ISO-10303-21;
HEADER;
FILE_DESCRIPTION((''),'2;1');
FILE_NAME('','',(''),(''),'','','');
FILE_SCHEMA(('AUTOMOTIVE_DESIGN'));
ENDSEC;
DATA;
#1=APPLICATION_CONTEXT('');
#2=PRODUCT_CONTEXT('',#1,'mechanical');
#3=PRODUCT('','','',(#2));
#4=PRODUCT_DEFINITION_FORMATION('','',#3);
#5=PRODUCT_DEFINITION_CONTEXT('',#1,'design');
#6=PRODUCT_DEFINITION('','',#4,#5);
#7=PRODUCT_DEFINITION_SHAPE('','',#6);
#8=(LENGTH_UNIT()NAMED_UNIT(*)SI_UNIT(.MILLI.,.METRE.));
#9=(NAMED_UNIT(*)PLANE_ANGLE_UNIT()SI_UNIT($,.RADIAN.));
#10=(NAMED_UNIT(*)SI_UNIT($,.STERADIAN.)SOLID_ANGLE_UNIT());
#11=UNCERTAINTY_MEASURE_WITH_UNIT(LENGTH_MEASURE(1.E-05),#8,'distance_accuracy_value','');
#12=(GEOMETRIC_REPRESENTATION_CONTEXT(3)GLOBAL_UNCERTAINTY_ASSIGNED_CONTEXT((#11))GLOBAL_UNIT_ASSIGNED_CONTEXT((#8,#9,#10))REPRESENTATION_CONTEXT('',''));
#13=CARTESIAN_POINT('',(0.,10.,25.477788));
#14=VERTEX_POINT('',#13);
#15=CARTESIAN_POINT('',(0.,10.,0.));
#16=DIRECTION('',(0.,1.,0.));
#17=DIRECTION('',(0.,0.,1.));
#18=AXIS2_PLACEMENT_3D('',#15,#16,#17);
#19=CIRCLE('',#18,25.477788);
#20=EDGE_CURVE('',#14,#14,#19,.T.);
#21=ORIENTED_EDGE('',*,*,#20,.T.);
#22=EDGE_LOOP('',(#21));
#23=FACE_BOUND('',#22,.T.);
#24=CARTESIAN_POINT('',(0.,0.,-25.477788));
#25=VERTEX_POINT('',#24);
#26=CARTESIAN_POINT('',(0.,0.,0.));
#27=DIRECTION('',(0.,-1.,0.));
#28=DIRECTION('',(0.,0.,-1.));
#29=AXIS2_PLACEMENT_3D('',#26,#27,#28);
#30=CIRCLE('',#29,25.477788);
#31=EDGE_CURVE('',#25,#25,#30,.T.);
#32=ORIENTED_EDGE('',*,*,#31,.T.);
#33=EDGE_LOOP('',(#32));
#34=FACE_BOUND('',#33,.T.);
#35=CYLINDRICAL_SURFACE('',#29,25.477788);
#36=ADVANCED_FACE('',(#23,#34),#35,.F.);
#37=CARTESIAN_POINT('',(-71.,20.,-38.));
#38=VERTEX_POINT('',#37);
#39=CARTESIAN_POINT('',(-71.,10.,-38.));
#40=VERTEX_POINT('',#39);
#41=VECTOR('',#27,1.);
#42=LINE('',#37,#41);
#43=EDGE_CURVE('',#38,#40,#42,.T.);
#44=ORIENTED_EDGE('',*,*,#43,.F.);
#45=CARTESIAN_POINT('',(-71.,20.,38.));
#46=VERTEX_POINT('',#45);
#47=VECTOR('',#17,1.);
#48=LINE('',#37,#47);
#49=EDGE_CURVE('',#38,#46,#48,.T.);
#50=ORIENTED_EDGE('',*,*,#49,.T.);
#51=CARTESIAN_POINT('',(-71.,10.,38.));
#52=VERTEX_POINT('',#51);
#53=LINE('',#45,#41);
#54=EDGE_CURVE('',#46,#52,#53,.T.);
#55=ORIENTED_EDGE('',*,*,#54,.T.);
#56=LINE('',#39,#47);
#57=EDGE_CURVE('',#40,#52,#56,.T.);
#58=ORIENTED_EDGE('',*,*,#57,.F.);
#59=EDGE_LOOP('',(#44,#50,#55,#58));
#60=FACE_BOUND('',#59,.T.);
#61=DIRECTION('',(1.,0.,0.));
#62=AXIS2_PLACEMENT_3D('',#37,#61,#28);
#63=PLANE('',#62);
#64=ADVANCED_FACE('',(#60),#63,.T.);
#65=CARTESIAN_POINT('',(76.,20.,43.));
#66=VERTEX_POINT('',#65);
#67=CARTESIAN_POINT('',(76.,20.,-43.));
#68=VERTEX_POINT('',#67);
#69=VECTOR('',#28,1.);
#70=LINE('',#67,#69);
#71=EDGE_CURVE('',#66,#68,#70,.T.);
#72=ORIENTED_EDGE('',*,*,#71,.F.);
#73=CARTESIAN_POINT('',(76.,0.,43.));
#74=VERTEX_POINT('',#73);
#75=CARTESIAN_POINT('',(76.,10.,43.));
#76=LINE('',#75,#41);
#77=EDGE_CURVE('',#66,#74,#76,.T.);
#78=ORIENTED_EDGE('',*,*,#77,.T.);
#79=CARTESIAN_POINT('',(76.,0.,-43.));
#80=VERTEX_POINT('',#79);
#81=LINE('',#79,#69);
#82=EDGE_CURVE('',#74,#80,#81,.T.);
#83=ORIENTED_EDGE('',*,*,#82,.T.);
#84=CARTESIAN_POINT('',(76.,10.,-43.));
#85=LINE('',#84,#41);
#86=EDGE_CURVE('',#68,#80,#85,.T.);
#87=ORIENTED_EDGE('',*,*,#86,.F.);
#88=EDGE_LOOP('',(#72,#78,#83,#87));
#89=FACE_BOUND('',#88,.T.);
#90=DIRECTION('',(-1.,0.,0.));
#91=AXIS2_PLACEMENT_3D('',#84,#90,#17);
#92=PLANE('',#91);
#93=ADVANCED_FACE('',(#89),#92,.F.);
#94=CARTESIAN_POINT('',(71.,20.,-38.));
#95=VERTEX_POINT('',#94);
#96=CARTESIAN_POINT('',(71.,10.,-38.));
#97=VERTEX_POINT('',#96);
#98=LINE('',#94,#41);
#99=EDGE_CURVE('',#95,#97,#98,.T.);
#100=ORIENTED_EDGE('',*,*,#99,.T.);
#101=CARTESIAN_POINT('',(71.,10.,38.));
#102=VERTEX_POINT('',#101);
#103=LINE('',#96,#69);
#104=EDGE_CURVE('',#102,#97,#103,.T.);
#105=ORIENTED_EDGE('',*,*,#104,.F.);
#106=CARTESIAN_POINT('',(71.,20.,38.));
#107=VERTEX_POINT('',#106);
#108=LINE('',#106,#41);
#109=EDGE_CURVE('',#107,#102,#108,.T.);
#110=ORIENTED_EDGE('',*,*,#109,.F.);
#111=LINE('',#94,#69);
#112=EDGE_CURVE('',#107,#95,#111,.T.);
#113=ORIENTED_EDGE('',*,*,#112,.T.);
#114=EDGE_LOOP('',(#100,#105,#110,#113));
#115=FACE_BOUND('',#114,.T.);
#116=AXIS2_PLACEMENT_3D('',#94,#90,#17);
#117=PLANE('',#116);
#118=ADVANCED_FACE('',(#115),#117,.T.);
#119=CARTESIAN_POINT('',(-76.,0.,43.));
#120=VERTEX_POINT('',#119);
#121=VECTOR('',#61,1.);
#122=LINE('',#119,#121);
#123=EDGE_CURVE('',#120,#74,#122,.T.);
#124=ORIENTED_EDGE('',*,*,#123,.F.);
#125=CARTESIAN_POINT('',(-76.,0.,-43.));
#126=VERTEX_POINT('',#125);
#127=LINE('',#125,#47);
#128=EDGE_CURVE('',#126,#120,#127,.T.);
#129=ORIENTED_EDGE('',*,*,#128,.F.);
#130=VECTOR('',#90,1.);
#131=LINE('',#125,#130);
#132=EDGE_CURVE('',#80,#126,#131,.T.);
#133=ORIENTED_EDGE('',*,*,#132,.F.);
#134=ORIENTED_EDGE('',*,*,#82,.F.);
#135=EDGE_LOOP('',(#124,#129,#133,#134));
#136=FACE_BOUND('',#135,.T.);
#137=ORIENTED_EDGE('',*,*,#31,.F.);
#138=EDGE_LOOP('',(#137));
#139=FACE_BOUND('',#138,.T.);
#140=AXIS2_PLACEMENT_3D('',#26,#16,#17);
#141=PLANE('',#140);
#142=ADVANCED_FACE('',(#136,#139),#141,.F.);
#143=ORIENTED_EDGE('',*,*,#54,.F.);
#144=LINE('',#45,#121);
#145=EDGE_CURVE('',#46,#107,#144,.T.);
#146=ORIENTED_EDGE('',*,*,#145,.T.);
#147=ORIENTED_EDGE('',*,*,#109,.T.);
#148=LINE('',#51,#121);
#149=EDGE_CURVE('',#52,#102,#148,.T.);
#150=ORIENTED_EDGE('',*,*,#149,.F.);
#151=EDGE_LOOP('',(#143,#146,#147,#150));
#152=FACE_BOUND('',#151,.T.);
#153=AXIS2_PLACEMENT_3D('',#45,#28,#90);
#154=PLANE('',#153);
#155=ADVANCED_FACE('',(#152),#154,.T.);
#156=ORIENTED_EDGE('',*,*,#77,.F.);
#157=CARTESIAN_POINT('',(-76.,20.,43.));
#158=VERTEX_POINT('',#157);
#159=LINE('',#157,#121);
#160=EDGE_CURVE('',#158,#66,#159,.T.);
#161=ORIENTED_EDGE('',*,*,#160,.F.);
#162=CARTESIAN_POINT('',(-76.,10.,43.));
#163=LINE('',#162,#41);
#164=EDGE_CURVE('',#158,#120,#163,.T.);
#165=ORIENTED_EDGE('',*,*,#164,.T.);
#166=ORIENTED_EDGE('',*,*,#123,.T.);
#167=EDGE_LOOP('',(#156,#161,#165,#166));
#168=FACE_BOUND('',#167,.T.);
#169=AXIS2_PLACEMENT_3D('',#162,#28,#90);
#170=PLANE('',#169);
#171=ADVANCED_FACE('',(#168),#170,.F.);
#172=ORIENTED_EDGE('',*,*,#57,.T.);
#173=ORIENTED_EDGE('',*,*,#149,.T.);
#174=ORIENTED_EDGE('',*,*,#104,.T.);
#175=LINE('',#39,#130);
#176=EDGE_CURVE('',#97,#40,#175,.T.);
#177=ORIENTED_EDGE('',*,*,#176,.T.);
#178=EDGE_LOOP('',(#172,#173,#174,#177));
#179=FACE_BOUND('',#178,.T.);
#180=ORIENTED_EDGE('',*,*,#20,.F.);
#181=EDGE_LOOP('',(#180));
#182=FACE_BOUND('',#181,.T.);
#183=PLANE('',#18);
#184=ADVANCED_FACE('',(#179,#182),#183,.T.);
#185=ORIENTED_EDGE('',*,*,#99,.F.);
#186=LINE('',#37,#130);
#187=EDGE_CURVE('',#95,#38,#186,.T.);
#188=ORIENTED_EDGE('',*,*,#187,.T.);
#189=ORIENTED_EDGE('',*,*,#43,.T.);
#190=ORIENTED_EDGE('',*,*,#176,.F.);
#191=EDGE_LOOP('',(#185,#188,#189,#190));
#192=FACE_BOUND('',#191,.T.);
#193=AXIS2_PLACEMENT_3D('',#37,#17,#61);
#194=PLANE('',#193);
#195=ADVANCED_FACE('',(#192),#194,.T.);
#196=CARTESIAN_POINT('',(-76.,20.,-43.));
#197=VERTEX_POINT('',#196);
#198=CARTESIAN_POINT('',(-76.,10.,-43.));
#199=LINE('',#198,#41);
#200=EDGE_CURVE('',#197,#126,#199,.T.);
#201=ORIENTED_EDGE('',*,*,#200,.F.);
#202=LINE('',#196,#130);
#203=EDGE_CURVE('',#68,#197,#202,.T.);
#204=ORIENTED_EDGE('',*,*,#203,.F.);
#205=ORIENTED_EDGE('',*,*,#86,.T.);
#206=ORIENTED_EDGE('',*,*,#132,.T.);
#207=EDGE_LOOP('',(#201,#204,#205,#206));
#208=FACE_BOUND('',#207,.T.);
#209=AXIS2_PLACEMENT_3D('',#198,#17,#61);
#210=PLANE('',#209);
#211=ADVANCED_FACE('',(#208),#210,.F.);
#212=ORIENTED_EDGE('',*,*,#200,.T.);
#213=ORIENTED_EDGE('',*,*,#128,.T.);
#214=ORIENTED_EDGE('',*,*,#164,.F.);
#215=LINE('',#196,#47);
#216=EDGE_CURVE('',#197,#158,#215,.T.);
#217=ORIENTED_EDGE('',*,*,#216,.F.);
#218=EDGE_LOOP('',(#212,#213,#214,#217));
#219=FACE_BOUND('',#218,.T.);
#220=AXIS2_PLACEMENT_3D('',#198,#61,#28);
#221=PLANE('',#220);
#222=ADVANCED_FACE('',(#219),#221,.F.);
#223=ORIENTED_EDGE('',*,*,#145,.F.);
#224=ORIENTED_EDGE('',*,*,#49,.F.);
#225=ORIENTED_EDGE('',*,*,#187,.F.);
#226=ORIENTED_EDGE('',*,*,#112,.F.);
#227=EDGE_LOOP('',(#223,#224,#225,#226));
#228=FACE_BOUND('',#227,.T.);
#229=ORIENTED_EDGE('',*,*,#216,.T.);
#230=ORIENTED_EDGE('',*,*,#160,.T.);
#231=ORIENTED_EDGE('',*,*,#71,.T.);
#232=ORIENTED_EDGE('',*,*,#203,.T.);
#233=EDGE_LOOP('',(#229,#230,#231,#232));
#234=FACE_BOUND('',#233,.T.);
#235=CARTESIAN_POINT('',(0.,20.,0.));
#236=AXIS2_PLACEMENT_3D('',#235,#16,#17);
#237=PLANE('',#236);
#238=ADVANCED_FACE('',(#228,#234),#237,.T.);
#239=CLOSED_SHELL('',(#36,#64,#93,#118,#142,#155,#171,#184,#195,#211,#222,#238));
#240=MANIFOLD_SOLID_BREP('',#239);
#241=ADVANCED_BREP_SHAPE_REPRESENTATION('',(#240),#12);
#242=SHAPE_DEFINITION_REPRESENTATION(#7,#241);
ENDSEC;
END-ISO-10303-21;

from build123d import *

# Parameters (mm, degrees)
SKETCH1_W                          = 152
SKETCH1_H                          = 86
BOSS_EXTRUDE1_DEPTH                = 10
SKETCH2_W                          = 152
SKETCH2_H                          = 86
SKETCH2_W_2                        = 142
SKETCH2_H_2                        = 76
BOSS_EXTRUDE2_DEPTH                = 10
F_2_0350_40_UNS_TAPPED_HOLE1_D     = 50.955575
F_2_0350_40_UNS_TAPPED_HOLE1_DEPTH = 106.56


with BuildPart() as part:
    # Sketch1 → Boss-Extrude1 (new body)
    with BuildSketch(Plane(origin=(0, 0, 0), x_dir=(1, 0, 0), z_dir=(0, 1, 0))):
        Rectangle(SKETCH1_W, SKETCH1_H)
    extrude(amount=BOSS_EXTRUDE1_DEPTH)

    # Sketch2 → Boss-Extrude2 (add)
    with BuildSketch(Plane(origin=(0, 10, 0), x_dir=(1, 0, 0), z_dir=(0, 1, 0))):
        Rectangle(SKETCH2_W, SKETCH2_H)
        Rectangle(SKETCH2_W_2, SKETCH2_H_2, mode=Mode.SUBTRACT)
    extrude(amount=BOSS_EXTRUDE2_DEPTH)

    # 2.0350-40 UNS Tapped Hole1
    with Locations(Plane(origin=(0, 0, 0), x_dir=(-1, 0, 0), z_dir=(0, -1, 0))):
        with Locations((0, 0)):
            Hole(F_2_0350_40_UNS_TAPPED_HOLE1_D / 2, depth=F_2_0350_40_UNS_TAPPED_HOLE1_DEPTH)


solid = part.part
